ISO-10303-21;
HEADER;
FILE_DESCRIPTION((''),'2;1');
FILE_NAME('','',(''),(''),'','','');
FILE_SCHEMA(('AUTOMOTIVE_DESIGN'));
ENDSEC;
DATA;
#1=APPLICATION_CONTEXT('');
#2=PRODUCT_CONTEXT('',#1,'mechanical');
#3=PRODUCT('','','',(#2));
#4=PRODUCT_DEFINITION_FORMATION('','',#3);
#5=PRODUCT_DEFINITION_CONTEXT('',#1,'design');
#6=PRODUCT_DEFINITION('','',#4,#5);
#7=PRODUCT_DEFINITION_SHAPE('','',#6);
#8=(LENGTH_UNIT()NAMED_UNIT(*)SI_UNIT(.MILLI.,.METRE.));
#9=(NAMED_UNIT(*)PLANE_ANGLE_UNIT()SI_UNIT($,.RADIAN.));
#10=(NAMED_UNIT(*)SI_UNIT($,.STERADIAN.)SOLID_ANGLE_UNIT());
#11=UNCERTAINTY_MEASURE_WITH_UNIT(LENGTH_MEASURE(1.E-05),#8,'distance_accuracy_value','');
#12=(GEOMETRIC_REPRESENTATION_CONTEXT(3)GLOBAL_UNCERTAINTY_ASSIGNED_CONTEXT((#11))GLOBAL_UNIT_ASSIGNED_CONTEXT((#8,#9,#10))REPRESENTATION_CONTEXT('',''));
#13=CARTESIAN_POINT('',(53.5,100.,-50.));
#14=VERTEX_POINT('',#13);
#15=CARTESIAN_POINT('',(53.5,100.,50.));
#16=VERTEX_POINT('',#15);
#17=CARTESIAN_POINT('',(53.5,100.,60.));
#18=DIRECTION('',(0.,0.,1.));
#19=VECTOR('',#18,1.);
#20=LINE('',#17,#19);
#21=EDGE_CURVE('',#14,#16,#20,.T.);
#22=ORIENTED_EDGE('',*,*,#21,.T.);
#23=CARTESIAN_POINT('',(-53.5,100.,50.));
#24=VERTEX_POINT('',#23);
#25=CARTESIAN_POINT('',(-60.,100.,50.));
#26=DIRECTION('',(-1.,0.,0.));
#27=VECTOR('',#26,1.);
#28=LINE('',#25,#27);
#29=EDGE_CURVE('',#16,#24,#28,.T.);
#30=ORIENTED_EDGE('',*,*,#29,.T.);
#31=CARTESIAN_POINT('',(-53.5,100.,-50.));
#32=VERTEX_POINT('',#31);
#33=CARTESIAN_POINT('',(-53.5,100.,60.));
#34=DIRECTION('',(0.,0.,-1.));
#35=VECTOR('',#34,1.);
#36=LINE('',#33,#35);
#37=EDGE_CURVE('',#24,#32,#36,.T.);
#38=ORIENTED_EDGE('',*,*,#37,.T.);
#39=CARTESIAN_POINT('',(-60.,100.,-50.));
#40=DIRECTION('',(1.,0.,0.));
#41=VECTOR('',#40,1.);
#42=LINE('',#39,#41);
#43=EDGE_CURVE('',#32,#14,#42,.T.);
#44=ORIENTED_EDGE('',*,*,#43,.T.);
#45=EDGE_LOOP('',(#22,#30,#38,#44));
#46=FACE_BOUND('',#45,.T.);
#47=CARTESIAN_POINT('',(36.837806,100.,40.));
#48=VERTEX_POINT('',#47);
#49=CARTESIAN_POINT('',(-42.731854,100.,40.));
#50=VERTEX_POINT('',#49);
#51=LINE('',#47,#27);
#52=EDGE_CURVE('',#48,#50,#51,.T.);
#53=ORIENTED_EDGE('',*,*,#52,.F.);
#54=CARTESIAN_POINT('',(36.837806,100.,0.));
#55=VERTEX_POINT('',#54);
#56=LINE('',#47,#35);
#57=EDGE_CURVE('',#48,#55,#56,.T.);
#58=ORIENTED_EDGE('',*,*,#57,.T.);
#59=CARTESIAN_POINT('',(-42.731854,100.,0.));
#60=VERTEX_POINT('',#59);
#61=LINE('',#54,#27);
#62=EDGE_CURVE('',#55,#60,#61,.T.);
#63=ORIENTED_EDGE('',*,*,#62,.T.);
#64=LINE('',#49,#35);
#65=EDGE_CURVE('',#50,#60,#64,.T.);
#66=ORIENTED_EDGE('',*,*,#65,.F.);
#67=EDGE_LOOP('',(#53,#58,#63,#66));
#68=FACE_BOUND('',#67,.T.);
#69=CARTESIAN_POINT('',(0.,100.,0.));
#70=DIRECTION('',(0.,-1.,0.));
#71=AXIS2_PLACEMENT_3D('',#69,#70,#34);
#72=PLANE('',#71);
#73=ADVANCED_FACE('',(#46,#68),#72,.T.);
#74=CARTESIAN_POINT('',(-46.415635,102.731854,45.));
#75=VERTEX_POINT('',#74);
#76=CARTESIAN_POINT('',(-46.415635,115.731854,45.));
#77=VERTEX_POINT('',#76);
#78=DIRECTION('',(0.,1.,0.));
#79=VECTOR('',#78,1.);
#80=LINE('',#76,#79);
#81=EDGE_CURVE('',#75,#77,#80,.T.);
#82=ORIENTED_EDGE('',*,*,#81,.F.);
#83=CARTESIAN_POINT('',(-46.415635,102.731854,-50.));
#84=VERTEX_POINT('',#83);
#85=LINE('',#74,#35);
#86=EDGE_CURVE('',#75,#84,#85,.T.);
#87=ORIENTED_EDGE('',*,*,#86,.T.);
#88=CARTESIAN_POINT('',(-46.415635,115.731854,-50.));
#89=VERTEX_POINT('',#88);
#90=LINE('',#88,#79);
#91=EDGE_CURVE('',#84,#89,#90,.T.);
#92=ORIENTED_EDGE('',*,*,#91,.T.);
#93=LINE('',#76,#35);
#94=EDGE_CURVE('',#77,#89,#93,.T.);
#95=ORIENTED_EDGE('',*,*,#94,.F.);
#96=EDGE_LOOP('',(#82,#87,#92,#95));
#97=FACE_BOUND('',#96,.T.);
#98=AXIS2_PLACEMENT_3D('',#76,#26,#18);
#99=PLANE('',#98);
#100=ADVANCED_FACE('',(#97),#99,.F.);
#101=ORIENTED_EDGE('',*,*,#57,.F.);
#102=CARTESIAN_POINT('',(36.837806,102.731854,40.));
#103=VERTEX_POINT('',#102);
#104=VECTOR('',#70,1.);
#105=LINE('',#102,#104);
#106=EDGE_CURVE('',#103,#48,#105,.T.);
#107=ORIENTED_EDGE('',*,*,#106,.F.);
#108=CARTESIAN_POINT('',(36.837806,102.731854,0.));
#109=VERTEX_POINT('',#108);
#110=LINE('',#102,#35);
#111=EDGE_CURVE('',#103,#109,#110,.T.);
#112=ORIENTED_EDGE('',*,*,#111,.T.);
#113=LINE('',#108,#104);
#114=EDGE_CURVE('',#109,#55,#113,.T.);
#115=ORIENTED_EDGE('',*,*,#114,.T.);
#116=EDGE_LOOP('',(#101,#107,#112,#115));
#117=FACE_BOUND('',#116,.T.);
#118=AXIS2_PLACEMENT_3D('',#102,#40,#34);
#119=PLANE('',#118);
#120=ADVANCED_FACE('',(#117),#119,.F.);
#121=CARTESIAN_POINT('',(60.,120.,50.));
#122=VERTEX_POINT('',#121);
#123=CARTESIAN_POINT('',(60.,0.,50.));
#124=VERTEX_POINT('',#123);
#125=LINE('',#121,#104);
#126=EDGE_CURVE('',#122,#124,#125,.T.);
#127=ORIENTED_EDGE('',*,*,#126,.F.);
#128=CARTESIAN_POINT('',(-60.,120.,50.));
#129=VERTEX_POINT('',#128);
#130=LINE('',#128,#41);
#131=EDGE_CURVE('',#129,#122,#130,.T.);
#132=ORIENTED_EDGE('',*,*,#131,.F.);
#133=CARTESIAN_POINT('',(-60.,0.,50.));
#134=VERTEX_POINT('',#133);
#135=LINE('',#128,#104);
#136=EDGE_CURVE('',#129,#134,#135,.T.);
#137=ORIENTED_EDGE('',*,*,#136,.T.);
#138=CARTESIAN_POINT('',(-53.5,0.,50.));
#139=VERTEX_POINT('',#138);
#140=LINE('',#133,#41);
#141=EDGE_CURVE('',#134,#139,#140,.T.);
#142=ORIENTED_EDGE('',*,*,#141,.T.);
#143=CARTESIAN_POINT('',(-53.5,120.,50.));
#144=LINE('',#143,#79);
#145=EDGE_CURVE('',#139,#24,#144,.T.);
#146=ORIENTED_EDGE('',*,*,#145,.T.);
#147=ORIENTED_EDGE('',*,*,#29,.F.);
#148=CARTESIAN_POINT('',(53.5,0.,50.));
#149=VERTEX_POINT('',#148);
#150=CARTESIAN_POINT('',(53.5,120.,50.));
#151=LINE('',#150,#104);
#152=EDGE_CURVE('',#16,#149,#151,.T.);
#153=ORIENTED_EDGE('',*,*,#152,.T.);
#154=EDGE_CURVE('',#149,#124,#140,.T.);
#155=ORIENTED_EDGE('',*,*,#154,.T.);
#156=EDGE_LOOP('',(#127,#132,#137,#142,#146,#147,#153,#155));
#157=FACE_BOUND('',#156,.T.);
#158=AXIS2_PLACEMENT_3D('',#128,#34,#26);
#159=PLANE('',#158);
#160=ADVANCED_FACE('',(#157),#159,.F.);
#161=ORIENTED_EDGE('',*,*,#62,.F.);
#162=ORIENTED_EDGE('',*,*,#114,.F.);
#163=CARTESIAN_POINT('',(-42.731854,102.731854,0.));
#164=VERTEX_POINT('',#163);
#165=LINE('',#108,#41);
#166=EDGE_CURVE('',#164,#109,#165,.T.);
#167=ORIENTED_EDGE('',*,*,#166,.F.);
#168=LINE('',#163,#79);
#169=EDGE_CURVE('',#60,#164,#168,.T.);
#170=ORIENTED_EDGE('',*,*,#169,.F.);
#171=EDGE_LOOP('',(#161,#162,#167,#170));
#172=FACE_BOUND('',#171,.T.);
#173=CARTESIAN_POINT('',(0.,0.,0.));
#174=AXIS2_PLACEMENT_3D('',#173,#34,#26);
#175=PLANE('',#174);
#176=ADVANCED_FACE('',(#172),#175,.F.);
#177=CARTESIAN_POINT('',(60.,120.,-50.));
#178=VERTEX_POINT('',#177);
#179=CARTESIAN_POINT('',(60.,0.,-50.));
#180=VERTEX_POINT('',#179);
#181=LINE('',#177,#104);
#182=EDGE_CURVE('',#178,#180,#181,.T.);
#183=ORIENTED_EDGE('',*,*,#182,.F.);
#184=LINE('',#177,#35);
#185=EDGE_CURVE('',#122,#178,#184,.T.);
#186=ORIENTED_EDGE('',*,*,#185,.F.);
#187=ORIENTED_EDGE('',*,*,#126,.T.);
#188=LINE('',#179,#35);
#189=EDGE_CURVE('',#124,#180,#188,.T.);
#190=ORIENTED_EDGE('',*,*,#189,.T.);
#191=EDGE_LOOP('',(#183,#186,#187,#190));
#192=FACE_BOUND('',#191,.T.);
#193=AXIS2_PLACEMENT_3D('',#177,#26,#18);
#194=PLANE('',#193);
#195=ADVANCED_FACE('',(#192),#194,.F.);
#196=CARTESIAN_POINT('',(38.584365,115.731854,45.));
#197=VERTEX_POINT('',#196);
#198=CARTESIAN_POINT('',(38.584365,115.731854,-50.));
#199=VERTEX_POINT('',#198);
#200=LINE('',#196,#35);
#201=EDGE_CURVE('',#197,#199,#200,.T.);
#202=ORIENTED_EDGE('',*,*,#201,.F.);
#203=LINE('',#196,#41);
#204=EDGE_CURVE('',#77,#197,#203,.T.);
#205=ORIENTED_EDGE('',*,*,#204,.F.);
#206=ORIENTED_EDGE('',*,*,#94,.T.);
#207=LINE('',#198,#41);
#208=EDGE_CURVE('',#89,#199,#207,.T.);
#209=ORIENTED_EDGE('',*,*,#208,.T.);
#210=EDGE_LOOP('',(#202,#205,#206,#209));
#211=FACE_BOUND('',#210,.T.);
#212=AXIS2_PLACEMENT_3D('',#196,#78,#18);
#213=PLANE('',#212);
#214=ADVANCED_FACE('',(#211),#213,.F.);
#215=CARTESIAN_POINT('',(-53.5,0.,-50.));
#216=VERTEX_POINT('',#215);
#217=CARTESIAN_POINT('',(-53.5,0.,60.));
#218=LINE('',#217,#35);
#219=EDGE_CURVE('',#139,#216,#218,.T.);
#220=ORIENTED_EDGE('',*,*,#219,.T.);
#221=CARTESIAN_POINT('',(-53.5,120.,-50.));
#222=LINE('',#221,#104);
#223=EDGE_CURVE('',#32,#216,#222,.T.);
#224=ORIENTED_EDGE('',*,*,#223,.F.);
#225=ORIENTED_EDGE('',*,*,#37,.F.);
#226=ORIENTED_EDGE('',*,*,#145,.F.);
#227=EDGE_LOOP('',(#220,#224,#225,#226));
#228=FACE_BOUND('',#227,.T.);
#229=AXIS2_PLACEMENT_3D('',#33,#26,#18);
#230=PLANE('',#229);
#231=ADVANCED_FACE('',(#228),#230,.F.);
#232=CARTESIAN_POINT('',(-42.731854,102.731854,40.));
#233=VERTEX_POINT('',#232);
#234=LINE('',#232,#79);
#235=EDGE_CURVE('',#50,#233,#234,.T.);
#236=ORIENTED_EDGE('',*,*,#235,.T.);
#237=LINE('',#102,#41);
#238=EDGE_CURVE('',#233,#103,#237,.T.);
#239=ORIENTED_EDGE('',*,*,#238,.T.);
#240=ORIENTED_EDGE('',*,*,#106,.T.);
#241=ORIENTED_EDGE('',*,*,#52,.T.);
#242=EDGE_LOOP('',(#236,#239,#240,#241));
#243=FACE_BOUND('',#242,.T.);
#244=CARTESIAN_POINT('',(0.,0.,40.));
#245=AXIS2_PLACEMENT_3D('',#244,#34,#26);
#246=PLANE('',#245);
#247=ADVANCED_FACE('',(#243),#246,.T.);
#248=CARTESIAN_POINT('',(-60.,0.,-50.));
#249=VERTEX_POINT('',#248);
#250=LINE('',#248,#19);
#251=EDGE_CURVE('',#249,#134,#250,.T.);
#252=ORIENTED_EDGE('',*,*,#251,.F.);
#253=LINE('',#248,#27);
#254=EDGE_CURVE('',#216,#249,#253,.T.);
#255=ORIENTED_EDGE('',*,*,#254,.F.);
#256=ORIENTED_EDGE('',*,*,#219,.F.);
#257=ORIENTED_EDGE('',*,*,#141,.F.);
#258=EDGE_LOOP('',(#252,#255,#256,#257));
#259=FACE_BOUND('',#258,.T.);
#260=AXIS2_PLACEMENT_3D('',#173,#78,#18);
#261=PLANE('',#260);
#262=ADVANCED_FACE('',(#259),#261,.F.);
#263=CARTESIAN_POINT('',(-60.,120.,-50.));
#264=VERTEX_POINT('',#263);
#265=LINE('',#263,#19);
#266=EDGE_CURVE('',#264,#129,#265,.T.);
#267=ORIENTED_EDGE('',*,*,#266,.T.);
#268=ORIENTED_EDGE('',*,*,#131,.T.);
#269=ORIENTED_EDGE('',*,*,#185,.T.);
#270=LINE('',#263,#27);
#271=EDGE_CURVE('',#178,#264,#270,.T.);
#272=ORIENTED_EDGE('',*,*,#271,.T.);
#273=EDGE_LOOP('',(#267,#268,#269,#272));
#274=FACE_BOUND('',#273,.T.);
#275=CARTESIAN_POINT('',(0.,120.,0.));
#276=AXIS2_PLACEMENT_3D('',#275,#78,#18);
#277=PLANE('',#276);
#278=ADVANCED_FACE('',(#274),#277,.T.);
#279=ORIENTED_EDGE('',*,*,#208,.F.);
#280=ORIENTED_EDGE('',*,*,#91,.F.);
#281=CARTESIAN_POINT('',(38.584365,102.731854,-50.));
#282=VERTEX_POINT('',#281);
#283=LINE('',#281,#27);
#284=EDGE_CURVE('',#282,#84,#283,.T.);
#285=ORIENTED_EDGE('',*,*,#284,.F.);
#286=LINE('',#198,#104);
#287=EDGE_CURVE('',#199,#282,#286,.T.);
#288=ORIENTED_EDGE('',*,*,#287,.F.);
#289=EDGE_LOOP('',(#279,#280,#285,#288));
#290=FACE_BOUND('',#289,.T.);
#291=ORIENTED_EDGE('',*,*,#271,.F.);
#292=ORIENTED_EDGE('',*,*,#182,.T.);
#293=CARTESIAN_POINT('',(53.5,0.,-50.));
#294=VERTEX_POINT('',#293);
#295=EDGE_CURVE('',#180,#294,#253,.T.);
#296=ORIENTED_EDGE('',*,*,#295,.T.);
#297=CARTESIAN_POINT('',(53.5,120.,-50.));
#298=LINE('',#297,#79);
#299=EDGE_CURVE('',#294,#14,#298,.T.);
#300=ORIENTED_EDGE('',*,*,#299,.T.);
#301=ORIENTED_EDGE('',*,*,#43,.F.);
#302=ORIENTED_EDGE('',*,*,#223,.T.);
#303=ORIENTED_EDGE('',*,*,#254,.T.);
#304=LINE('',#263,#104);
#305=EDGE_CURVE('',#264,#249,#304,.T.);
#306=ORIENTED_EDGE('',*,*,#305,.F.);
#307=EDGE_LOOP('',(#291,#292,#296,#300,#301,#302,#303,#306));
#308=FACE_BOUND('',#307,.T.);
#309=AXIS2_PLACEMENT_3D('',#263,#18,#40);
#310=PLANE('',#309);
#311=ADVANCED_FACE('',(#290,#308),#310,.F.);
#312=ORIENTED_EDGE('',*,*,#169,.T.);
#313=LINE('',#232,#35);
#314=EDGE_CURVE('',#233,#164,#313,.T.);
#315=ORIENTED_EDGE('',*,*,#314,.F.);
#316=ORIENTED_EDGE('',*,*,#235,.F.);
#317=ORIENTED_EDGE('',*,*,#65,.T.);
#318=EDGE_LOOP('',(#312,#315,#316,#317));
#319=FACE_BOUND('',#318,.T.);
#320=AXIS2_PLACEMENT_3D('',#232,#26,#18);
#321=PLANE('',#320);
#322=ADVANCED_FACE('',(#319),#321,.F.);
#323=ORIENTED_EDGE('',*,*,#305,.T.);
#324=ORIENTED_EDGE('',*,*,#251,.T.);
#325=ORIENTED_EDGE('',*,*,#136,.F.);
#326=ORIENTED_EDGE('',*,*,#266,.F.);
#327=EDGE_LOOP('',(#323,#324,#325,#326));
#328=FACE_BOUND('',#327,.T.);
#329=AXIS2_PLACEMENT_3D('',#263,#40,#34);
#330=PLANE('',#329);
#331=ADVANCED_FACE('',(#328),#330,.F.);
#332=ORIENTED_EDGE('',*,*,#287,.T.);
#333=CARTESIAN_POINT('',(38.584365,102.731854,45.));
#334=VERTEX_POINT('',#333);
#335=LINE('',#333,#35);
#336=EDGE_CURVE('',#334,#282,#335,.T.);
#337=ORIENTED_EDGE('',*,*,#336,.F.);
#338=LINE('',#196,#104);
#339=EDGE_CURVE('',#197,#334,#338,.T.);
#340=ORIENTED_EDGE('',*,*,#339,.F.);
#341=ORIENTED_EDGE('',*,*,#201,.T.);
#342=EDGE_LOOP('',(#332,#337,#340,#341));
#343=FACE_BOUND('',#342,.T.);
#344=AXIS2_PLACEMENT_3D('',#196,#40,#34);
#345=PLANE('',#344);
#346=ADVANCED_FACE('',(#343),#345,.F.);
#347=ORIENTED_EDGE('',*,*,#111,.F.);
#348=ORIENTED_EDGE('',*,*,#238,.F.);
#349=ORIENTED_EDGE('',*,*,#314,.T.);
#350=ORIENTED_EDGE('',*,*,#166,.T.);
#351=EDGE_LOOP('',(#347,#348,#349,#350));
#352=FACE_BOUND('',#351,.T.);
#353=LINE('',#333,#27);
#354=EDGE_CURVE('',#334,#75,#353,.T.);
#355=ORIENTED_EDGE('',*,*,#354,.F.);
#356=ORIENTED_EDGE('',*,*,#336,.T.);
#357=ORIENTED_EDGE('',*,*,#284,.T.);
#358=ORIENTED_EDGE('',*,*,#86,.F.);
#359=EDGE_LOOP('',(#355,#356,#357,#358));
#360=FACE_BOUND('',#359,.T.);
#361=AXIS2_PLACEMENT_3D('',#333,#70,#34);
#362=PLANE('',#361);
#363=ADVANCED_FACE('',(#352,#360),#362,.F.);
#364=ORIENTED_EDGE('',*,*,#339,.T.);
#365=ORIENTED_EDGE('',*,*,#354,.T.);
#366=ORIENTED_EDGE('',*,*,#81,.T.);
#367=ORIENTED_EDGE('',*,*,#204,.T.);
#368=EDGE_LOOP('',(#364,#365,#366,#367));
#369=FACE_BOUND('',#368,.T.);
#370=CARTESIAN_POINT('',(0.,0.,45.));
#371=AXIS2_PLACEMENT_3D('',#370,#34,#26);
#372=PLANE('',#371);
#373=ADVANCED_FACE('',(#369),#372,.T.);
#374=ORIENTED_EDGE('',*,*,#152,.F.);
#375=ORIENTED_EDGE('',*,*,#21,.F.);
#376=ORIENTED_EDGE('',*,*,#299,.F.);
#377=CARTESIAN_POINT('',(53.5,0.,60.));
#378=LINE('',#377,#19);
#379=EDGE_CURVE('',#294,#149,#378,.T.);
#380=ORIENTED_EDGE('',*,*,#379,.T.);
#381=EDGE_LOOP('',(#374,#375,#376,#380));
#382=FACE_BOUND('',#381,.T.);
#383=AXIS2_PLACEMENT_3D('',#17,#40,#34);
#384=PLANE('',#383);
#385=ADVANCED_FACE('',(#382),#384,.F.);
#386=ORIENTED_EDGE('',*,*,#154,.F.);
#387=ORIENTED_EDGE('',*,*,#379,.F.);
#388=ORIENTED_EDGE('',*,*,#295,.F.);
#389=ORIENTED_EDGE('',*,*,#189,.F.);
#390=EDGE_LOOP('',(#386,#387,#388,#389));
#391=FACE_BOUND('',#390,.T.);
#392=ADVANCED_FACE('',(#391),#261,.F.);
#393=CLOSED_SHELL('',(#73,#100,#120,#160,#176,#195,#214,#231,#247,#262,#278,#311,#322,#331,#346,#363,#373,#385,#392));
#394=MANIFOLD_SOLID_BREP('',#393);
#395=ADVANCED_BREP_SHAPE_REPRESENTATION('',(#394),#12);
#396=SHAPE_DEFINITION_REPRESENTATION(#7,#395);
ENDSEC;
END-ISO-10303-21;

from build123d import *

# Parameters (mm, degrees)
SKETCH1_W           = 120
SKETCH1_H           = 100
BOSS_EXTRUDE1_DEPTH = 120
SKETCH2_W           = 107
SKETCH2_H           = 120
CUT_EXTRUDE1_DEPTH  = 100
SKETCH4_W           = 85
SKETCH4_H           = 13
CUT_EXTRUDE2_DEPTH  = 95
CUT_EXTRUDE3_START  = -50
SKETCH5_W           = 79.569660058
SKETCH5_H           = 2.731854476
CUT_EXTRUDE3_DEPTH  = 40


with BuildPart() as part:
    # Sketch1 → Boss-Extrude1 (new body)
    with BuildSketch(Plane(origin=(0, 0, 0), x_dir=(1, 0, 0), z_dir=(0, 1, 0))):
        Rectangle(SKETCH1_W, SKETCH1_H)
    extrude(amount=BOSS_EXTRUDE1_DEPTH)

    # Sketch2 → Cut-Extrude1 (cut)
    with BuildSketch(Plane.XZ):
        Rectangle(SKETCH2_W, SKETCH2_H)
    extrude(amount=-CUT_EXTRUDE1_DEPTH, mode=Mode.SUBTRACT)

    # Sketch4 → Cut-Extrude2 (cut)
    with BuildSketch(Plane(origin=(0, 0, -50), x_dir=(-1, 0, 0), z_dir=(0, 0, -1))):
        with Locations((3.915635034, 109.231854476)):
            Rectangle(SKETCH4_W, SKETCH4_H)
    extrude(amount=-CUT_EXTRUDE2_DEPTH, mode=Mode.SUBTRACT)

    # Sketch5 → Cut-Extrude3 (cut)
    with BuildSketch(Plane(origin=(0, 0, -50), x_dir=(-1, 0, 0), z_dir=(0, 0, -1)).offset(CUT_EXTRUDE3_START)):
        with Locations((2.947024447, 101.365927238)):
            Rectangle(SKETCH5_W, SKETCH5_H)
    extrude(amount=-CUT_EXTRUDE3_DEPTH, mode=Mode.SUBTRACT)


solid = part.part
